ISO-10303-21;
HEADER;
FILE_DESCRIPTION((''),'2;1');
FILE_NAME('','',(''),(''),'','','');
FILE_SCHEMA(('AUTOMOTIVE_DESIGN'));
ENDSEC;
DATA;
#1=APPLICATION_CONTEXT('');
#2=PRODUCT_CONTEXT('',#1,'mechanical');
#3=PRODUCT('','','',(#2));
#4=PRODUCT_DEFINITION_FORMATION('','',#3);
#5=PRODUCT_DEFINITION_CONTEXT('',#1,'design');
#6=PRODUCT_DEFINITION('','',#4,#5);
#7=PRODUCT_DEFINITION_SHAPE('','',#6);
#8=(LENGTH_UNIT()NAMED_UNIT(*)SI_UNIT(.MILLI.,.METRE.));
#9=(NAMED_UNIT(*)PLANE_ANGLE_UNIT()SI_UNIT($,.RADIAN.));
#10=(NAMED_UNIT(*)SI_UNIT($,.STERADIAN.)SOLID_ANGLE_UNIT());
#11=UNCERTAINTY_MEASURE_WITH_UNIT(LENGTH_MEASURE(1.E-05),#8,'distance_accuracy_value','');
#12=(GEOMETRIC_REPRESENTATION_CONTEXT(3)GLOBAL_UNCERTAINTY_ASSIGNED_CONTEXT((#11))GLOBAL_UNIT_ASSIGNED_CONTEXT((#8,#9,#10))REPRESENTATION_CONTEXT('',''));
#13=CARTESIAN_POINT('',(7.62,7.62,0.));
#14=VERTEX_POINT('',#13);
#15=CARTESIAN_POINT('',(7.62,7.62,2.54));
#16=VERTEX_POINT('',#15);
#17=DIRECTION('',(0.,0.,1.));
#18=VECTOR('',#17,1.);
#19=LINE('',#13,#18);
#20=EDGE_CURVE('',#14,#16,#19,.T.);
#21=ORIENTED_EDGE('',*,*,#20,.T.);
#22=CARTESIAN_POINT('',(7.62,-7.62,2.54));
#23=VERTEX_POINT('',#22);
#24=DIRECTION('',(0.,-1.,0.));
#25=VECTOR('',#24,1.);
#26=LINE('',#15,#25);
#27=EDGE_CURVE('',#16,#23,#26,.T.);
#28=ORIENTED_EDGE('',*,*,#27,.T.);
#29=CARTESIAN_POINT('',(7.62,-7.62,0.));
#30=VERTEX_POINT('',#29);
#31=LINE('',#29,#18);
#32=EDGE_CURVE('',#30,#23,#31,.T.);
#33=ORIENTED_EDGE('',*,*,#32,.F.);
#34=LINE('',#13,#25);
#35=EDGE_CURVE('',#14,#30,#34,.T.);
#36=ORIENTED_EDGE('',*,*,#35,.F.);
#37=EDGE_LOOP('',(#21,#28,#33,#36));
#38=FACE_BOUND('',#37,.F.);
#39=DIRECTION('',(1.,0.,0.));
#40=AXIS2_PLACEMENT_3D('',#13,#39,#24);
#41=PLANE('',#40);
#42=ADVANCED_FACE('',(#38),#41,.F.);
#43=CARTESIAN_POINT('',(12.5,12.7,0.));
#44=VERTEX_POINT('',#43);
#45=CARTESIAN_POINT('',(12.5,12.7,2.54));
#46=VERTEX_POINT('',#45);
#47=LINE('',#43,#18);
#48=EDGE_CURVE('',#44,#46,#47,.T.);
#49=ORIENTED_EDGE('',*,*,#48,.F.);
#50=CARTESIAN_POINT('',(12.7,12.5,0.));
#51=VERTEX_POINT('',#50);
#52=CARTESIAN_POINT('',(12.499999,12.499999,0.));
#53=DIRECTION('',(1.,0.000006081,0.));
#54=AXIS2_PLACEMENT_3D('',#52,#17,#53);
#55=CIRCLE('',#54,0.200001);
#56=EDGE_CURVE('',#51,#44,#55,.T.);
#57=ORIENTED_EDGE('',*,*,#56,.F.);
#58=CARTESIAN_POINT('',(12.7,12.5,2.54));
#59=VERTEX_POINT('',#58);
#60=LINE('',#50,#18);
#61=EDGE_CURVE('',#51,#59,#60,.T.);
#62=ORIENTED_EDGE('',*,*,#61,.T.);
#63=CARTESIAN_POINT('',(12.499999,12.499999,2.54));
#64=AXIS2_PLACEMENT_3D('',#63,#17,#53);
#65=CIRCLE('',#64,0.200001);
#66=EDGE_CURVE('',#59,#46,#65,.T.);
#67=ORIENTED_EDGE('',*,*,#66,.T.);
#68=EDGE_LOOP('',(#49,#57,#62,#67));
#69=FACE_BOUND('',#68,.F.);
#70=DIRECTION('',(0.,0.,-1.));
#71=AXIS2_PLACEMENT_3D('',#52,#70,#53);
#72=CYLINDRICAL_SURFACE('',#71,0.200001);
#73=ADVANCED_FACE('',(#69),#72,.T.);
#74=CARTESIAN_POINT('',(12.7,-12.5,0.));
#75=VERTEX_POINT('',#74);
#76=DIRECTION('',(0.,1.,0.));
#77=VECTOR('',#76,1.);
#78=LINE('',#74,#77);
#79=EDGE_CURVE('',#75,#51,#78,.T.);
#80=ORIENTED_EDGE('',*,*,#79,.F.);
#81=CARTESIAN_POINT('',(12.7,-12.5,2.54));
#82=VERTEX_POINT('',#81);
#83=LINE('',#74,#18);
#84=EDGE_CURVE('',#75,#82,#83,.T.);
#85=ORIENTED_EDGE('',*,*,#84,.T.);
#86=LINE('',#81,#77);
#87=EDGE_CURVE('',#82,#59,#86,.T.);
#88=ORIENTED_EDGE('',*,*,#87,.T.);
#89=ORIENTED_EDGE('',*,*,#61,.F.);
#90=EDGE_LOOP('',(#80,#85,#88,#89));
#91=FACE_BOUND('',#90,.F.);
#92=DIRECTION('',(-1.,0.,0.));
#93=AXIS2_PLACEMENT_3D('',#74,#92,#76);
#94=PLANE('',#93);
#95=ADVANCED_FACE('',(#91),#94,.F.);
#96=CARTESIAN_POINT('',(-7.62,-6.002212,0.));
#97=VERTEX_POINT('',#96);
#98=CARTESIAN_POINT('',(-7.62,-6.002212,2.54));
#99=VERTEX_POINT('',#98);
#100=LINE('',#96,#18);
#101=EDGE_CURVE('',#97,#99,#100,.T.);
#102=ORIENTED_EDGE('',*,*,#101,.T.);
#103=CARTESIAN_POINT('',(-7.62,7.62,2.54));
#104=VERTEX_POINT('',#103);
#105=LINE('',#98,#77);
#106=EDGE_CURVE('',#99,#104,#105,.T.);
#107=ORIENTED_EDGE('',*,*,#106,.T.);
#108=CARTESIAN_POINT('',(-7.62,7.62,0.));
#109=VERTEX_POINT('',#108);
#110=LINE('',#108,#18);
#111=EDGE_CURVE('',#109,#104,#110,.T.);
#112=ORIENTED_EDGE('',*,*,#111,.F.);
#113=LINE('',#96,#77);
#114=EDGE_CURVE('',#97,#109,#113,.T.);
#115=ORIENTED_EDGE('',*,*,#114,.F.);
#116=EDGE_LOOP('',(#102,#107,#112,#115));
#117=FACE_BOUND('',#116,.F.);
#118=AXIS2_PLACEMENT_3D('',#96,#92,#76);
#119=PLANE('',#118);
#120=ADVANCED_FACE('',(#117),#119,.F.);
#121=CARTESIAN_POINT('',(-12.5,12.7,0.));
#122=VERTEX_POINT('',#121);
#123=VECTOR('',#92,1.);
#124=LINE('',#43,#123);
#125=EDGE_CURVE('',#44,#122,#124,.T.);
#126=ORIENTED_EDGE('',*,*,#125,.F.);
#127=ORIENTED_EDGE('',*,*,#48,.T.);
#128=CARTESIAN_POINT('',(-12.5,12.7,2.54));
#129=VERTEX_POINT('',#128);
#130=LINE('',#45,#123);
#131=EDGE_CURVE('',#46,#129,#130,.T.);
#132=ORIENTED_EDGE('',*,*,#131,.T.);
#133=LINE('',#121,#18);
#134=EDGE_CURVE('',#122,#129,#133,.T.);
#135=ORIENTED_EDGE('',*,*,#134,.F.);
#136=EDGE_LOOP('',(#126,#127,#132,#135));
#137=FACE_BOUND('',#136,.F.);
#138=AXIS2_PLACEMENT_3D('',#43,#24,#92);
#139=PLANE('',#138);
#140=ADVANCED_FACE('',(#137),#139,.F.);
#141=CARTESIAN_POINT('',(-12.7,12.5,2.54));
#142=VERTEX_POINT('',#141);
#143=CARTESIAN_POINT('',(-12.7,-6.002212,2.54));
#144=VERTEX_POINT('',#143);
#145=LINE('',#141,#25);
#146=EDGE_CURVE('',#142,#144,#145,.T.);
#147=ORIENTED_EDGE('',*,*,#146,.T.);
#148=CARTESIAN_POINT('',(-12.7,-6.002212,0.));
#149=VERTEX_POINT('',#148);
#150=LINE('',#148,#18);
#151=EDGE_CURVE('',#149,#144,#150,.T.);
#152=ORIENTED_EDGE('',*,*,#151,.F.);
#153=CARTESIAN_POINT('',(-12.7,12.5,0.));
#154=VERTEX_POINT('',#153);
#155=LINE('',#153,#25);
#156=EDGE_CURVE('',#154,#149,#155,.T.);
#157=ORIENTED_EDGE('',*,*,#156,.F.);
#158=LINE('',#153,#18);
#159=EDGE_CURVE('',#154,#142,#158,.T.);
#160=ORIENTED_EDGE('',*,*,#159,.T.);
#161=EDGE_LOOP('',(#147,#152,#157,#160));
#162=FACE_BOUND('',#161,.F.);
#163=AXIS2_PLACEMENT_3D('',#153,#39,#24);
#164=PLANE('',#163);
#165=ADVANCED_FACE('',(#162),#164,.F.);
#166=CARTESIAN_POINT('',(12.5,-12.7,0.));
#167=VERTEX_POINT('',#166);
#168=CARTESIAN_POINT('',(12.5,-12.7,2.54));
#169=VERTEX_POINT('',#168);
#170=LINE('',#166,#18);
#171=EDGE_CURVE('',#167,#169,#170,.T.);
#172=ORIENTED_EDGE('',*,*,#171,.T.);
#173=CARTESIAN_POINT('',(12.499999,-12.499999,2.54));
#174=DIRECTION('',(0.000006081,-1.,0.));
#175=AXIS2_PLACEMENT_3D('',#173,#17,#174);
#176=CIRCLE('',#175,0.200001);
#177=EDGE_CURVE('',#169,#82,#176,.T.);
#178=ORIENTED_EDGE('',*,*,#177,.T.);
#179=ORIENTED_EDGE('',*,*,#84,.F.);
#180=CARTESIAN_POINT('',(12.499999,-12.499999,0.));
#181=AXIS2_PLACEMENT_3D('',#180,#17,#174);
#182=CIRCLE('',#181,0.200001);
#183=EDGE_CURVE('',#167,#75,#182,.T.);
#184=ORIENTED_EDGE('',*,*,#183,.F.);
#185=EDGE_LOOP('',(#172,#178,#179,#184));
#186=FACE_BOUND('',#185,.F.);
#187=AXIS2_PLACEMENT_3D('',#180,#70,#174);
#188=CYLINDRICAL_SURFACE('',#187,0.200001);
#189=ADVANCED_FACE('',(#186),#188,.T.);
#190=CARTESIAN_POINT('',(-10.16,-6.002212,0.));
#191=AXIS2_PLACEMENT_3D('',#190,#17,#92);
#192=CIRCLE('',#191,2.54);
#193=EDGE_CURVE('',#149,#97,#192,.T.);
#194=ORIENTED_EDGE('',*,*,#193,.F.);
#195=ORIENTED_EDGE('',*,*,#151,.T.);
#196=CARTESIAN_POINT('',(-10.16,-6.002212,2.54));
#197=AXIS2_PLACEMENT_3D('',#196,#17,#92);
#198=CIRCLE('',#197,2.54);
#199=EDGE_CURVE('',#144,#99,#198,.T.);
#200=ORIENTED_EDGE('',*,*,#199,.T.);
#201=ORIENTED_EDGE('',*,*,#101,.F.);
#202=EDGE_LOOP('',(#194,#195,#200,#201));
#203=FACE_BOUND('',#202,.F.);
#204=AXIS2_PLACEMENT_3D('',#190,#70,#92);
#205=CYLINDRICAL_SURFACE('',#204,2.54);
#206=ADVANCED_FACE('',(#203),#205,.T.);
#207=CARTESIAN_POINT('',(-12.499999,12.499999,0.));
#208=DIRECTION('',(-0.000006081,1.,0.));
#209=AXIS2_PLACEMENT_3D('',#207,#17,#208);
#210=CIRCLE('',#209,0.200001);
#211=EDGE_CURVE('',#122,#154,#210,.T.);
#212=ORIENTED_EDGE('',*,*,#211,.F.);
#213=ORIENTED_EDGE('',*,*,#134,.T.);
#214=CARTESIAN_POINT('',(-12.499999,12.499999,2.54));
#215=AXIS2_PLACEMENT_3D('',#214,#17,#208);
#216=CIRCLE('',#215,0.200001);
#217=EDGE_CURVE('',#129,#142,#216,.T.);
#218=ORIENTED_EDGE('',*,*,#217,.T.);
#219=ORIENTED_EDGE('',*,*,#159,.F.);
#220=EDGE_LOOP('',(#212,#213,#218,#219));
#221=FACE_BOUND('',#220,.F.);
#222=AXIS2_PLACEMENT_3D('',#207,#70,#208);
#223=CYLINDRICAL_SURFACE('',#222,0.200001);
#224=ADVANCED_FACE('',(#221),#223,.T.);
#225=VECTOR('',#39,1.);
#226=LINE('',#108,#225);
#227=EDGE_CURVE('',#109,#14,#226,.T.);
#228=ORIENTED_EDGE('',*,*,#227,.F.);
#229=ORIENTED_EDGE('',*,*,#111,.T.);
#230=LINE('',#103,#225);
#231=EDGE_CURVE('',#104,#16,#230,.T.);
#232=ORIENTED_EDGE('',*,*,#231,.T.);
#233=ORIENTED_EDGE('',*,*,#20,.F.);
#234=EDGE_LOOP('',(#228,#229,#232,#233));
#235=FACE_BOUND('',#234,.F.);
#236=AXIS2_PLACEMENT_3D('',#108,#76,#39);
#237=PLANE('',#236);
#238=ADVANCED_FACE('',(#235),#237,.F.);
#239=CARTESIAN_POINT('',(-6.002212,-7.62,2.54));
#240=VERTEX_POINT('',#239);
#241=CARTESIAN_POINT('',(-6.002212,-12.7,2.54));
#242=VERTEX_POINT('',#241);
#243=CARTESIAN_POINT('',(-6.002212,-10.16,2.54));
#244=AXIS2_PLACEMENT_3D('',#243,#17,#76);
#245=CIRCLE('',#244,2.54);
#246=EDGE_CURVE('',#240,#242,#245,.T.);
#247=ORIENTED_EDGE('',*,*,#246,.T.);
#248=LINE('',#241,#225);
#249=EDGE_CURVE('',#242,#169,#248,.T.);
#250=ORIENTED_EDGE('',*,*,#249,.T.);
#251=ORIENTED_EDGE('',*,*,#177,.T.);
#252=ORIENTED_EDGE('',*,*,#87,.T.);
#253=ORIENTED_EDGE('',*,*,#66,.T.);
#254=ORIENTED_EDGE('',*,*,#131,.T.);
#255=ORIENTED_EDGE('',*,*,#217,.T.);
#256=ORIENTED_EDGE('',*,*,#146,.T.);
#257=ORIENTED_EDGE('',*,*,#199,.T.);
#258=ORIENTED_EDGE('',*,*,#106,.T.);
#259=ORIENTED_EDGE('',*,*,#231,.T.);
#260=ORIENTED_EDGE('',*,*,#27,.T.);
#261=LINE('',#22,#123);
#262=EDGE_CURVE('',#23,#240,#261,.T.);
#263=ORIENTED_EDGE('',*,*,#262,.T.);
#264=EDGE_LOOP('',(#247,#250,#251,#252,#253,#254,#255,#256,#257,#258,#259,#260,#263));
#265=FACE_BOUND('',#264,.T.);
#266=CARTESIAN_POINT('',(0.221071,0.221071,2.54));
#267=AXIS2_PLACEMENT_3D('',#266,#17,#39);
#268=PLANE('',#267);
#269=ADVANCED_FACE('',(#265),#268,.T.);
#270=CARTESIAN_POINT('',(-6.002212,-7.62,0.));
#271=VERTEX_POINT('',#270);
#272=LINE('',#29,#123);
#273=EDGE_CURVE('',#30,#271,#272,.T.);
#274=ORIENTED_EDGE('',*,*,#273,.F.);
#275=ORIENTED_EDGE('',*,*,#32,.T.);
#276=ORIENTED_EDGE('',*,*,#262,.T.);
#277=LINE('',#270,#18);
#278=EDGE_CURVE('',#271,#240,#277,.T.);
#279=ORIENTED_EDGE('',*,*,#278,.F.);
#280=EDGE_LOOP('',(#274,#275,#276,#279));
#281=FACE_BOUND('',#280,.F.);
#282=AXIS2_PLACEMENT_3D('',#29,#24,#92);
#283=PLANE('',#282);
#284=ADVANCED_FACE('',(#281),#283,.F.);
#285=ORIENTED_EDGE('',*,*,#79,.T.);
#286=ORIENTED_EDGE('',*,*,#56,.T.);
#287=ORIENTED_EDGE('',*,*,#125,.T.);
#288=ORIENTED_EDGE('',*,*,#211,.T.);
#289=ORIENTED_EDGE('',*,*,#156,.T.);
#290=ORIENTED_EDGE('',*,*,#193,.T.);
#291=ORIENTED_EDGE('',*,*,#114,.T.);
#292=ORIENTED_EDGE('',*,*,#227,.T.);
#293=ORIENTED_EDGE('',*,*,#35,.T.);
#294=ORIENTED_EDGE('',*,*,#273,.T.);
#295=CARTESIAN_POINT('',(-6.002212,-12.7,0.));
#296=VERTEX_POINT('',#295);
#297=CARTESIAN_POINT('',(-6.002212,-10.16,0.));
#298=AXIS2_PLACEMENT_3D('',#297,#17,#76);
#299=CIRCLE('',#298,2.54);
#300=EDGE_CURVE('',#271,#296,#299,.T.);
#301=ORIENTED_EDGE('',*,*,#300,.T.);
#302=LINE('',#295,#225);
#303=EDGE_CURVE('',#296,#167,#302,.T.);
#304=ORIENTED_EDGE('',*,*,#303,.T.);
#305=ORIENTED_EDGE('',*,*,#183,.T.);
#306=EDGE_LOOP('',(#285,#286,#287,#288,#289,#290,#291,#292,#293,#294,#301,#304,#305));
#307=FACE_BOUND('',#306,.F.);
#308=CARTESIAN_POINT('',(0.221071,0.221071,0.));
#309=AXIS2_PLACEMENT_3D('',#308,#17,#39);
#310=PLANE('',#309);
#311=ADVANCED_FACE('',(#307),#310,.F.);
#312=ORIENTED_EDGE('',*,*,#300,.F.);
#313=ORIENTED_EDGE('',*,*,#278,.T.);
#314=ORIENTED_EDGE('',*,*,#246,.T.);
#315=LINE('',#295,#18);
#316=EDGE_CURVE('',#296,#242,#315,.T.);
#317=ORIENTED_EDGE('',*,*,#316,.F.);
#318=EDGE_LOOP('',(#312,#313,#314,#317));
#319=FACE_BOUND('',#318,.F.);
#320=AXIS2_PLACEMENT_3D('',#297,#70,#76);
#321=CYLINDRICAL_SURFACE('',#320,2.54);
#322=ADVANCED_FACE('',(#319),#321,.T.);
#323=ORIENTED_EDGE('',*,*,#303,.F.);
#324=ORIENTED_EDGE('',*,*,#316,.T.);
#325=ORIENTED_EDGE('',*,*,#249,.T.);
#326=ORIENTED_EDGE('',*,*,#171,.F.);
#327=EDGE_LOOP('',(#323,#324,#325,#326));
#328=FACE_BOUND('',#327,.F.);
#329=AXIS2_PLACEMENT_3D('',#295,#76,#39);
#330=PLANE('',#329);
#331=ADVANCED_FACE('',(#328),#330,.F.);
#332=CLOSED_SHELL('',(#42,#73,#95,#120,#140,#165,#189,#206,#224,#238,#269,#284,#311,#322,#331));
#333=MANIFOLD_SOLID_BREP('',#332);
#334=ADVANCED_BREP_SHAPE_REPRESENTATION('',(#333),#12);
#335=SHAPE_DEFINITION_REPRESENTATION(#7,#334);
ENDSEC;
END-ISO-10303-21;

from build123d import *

# Parameters (mm, degrees)
F1_DEPTH = 2.54


with BuildPart() as f1:
    # F0 (on Top) → F1 (new body)
    with BuildSketch(Plane.XY):
        with BuildLine():
            Line((-6.002212, -12.7), (12.5, -12.7))
            ThreePointArc((12.5, -12.7), (12.641421, -12.641421), (12.7, -12.5))
            Line((12.7, -12.5), (12.7, 12.5))
            ThreePointArc((12.7, 12.5), (12.641421, 12.641421), (12.5, 12.7))
            Line((12.5, 12.7), (-12.5, 12.7))
            ThreePointArc((-12.5, 12.7), (-12.641421, 12.641421), (-12.7, 12.5))
            Line((-12.7, 12.5), (-12.7, -6.002212))
            ThreePointArc((-12.7, -6.002212), (-10.16, -8.542212), (-7.62, -6.002212))
            Line((-7.62, -6.002212), (-7.62, 7.62))
            Line((-7.62, 7.62), (7.62, 7.62))
            Line((7.62, 7.62), (7.62, -7.62))
            Line((7.62, -7.62), (-6.002212, -7.62))
            ThreePointArc((-6.002212, -7.62), (-8.542212, -10.16), (-6.002212, -12.7))
        make_face()
    extrude(amount=F1_DEPTH)


solid = f1.part
